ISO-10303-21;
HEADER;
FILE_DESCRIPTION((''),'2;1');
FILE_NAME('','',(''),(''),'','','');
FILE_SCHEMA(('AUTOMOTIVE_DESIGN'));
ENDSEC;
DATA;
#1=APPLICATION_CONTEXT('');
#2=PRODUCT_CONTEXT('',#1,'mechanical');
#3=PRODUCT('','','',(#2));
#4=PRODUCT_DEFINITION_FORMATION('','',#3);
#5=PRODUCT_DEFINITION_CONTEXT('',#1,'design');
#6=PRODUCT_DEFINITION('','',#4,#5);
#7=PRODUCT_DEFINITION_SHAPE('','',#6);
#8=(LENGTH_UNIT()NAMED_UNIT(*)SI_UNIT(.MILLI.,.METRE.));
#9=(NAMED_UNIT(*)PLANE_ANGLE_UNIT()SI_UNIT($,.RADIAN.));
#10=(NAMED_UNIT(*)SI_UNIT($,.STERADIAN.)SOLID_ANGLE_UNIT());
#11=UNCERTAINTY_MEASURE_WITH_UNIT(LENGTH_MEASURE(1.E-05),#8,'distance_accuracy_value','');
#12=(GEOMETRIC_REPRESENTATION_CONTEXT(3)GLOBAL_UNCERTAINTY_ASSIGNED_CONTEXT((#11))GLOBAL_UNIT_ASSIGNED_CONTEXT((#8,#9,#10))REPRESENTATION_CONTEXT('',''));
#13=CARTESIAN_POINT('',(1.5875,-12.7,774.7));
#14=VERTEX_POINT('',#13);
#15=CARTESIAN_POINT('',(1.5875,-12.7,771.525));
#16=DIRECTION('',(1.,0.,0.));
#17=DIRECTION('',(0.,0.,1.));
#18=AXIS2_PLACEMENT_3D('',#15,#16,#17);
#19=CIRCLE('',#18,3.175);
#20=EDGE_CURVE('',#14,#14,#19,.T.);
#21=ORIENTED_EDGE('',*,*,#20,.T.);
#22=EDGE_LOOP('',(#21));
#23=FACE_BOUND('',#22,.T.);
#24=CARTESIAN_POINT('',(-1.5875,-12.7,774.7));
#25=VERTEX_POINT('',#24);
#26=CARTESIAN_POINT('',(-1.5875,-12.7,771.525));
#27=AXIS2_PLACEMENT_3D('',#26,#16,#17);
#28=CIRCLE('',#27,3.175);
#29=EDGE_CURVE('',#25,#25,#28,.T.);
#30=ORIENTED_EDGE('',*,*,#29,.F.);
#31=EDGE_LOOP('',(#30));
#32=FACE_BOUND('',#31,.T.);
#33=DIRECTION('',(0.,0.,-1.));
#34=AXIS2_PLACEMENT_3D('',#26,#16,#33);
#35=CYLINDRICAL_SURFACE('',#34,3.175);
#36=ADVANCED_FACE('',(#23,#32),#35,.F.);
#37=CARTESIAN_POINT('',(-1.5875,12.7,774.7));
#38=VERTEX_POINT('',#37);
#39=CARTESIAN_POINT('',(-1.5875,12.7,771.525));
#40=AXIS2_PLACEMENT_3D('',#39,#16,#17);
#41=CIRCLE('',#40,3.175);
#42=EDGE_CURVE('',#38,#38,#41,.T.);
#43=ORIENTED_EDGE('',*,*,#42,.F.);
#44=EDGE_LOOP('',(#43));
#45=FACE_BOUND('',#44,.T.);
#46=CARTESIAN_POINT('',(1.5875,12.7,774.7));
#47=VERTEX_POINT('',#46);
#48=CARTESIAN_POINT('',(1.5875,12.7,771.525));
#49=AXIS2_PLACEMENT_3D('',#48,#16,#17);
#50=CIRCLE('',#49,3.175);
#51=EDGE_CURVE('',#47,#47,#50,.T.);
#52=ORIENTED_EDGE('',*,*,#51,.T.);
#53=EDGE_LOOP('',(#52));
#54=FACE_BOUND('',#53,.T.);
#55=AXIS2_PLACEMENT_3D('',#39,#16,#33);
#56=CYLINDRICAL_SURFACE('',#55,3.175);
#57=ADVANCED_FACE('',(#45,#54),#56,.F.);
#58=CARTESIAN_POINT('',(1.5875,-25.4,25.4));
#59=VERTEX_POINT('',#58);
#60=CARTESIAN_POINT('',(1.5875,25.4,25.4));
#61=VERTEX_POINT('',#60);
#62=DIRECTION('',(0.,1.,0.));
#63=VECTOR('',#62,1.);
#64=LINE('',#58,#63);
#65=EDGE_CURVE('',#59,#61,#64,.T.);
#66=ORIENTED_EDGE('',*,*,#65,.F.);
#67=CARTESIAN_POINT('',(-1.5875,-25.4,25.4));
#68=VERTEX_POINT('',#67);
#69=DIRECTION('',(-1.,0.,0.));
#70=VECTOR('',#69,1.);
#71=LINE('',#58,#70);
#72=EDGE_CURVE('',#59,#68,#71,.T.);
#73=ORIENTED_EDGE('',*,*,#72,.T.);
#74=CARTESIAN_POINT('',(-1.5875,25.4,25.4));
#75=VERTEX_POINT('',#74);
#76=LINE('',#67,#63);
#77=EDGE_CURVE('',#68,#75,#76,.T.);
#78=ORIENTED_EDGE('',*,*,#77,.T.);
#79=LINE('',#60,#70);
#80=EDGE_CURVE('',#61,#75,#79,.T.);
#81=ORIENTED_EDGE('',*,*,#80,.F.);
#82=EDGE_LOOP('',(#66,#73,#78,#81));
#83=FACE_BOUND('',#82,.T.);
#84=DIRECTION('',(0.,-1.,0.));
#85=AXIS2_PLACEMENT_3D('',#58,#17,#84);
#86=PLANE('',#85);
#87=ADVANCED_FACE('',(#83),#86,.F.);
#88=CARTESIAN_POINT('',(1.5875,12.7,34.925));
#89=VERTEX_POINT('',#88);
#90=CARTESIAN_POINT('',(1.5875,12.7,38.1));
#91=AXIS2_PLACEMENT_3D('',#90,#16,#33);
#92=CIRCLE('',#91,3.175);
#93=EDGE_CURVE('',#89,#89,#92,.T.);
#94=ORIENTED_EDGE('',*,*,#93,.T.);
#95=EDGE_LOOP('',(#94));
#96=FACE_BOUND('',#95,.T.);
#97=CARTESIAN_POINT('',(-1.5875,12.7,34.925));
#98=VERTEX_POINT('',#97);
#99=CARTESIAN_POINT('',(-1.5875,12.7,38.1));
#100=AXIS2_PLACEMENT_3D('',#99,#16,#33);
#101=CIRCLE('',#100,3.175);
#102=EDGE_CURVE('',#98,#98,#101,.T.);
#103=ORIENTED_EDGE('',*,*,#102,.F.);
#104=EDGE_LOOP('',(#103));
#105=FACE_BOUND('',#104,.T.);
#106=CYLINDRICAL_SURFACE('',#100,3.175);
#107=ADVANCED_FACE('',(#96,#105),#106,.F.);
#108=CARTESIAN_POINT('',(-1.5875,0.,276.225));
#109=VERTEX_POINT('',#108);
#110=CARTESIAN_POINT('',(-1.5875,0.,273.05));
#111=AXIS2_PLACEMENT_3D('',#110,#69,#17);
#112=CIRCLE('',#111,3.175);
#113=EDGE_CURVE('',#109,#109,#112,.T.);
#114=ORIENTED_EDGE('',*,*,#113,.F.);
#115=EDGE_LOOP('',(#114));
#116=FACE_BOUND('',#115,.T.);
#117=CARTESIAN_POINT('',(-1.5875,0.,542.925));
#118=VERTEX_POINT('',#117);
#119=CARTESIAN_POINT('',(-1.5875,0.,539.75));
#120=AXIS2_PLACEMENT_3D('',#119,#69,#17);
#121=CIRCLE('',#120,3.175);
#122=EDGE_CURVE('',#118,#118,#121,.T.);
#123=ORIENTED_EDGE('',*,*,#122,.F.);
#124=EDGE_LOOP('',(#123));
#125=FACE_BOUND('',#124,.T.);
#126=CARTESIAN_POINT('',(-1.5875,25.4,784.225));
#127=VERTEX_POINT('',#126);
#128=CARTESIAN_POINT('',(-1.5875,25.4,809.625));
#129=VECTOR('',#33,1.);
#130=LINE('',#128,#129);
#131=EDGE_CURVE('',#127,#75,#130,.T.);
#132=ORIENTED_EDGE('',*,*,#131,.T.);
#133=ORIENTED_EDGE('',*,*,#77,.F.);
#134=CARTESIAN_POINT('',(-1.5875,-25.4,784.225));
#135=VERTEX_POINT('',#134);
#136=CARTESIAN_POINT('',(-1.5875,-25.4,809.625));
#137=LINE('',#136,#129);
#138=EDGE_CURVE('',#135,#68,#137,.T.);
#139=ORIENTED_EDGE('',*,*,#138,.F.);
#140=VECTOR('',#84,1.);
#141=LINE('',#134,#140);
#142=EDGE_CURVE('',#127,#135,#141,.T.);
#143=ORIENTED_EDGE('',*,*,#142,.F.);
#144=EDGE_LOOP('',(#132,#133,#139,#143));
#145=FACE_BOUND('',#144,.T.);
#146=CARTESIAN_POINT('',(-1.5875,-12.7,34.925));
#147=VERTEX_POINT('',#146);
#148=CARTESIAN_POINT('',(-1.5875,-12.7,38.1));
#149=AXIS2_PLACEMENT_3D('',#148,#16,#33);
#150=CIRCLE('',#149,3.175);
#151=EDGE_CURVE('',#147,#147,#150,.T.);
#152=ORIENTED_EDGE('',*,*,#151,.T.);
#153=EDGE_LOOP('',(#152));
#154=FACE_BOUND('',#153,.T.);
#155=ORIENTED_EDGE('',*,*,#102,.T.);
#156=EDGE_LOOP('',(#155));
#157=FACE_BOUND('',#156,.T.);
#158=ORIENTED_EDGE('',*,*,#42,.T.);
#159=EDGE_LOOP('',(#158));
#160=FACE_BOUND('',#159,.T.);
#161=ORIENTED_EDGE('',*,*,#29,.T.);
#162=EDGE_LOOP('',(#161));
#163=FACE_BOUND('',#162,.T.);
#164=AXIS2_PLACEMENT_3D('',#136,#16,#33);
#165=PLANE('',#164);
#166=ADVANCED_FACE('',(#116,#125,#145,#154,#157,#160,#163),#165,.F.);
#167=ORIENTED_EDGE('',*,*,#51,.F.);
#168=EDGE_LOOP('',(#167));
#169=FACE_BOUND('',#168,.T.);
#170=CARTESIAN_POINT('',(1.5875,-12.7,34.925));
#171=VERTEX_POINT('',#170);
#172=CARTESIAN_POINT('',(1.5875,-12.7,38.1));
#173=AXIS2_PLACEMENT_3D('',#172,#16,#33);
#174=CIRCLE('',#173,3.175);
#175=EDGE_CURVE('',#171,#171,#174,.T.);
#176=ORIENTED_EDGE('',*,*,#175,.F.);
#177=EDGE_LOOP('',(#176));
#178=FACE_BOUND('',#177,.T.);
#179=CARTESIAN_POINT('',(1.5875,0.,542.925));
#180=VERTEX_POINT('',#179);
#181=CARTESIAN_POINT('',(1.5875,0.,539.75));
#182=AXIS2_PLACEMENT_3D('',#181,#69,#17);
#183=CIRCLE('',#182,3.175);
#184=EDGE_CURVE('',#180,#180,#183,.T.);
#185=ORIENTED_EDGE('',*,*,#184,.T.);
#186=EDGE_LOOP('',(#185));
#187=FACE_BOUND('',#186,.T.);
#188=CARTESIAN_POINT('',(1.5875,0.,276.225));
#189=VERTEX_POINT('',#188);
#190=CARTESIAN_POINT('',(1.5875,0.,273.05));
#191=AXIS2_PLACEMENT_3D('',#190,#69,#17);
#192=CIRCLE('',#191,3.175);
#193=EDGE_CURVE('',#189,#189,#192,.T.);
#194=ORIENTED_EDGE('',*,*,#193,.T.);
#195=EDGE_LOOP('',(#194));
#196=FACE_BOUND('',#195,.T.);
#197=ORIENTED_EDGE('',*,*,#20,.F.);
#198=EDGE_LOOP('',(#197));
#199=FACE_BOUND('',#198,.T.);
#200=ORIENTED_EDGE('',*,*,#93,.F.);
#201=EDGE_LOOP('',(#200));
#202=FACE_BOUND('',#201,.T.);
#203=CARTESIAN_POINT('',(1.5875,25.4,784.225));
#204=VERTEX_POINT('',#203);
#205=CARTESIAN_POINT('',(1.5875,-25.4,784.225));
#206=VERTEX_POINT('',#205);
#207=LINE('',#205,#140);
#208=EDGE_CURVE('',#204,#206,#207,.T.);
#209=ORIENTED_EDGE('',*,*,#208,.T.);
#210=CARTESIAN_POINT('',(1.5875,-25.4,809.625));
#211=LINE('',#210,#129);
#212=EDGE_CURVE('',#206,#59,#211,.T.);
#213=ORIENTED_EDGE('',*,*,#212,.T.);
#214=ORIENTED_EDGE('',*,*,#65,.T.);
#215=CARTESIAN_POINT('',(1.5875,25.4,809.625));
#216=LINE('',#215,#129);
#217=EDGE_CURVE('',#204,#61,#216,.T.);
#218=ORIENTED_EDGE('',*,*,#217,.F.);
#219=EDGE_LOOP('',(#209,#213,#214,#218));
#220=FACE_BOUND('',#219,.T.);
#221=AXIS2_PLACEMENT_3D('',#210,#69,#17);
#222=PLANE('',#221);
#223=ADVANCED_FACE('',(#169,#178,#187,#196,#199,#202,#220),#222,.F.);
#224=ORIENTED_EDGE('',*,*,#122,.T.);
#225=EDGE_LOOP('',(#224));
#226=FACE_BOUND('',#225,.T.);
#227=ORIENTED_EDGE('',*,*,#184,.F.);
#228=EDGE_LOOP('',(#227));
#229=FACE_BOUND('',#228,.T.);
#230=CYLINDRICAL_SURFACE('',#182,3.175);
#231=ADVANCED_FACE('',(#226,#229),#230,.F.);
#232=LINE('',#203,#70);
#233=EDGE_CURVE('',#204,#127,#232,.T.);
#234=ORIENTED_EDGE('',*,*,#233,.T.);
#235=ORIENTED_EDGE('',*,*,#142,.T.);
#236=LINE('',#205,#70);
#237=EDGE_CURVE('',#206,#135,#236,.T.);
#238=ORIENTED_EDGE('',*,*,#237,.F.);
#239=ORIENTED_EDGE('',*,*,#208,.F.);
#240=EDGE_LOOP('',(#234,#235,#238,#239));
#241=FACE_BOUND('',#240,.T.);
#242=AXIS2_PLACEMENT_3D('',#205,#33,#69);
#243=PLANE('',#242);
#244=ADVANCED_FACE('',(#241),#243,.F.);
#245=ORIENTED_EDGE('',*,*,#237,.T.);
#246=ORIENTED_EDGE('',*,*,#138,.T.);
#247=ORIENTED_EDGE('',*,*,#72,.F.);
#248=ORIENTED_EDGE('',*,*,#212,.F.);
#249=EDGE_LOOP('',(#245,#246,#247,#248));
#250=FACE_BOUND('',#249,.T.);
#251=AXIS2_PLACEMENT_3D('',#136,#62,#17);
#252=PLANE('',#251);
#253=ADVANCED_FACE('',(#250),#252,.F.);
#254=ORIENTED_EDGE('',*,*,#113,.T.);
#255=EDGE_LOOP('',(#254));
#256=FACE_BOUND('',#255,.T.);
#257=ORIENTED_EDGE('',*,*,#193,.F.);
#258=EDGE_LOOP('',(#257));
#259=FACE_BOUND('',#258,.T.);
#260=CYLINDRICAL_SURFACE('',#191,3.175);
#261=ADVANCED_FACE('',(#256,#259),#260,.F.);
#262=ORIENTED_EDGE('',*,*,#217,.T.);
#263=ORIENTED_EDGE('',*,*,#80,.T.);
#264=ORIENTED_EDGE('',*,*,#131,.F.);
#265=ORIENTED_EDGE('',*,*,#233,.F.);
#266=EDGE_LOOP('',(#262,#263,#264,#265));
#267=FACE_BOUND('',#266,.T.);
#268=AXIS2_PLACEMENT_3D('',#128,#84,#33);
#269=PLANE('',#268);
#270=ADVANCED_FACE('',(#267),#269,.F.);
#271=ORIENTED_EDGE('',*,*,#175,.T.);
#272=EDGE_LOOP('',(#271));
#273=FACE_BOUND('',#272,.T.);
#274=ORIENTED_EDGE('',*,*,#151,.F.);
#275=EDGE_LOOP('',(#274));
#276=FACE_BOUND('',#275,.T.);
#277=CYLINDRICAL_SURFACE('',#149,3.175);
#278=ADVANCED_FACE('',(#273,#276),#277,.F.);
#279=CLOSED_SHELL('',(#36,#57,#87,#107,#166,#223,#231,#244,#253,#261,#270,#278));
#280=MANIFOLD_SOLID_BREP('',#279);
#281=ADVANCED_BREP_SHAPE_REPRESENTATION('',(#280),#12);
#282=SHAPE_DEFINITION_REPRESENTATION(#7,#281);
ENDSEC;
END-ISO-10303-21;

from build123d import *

# Parameters (mm, degrees)
SKETCH1_W           = 3.175
SKETCH1_H           = 50.8
BOSS_EXTRUDE1_DEPTH = 809.625
SKETCH2_R           = 3.175
CUT_EXTRUDE1_DEPTH  = 4.175
SKETCH3_W           = 25.4
SKETCH3_H           = 50.8
CUT_EXTRUDE2_DEPTH  = 4.175
SKETCH4_R           = 3.175
CUT_EXTRUDE3_DEPTH  = 4.175


with BuildPart() as part:
    # Sketch1 → Boss-Extrude1 (new body)
    with BuildSketch(Plane.XY):
        Rectangle(SKETCH1_W, SKETCH1_H)
    extrude(amount=BOSS_EXTRUDE1_DEPTH)

    # Sketch2 → Cut-Extrude1 (cut, through all)
    with BuildSketch(Plane(origin=(1.5875, 0, 0), x_dir=(0, 0, -1), z_dir=(1, 0, 0))):
        with Locations((-38.1, 12.7)):
            Circle(SKETCH2_R)
        with Locations((-38.1, -12.7)):
            Circle(SKETCH2_R)
        with Locations((-771.525, 12.7)):
            Circle(SKETCH2_R)
        with Locations((-771.525, -12.7)):
            Circle(SKETCH2_R)
    extrude(amount=-CUT_EXTRUDE1_DEPTH, mode=Mode.SUBTRACT)

    # Sketch3 → Cut-Extrude2 (cut, through all)
    with BuildSketch(Plane.ZY.offset(1.5875)):
        with Locations((796.925, 0)):
            Rectangle(SKETCH3_W, SKETCH3_H)
        with Locations((12.7, 0)):
            Rectangle(SKETCH3_W, SKETCH3_H)
    extrude(amount=-CUT_EXTRUDE2_DEPTH, mode=Mode.SUBTRACT)

    # Sketch4 → Cut-Extrude3 (cut, through all)
    with BuildSketch(Plane.ZY.offset(1.5875)):
        with Locations((273.05, 0)):
            Circle(SKETCH4_R)
        with Locations((539.75, 0)):
            Circle(SKETCH4_R)
    extrude(amount=-CUT_EXTRUDE3_DEPTH, mode=Mode.SUBTRACT)


solid = part.part
